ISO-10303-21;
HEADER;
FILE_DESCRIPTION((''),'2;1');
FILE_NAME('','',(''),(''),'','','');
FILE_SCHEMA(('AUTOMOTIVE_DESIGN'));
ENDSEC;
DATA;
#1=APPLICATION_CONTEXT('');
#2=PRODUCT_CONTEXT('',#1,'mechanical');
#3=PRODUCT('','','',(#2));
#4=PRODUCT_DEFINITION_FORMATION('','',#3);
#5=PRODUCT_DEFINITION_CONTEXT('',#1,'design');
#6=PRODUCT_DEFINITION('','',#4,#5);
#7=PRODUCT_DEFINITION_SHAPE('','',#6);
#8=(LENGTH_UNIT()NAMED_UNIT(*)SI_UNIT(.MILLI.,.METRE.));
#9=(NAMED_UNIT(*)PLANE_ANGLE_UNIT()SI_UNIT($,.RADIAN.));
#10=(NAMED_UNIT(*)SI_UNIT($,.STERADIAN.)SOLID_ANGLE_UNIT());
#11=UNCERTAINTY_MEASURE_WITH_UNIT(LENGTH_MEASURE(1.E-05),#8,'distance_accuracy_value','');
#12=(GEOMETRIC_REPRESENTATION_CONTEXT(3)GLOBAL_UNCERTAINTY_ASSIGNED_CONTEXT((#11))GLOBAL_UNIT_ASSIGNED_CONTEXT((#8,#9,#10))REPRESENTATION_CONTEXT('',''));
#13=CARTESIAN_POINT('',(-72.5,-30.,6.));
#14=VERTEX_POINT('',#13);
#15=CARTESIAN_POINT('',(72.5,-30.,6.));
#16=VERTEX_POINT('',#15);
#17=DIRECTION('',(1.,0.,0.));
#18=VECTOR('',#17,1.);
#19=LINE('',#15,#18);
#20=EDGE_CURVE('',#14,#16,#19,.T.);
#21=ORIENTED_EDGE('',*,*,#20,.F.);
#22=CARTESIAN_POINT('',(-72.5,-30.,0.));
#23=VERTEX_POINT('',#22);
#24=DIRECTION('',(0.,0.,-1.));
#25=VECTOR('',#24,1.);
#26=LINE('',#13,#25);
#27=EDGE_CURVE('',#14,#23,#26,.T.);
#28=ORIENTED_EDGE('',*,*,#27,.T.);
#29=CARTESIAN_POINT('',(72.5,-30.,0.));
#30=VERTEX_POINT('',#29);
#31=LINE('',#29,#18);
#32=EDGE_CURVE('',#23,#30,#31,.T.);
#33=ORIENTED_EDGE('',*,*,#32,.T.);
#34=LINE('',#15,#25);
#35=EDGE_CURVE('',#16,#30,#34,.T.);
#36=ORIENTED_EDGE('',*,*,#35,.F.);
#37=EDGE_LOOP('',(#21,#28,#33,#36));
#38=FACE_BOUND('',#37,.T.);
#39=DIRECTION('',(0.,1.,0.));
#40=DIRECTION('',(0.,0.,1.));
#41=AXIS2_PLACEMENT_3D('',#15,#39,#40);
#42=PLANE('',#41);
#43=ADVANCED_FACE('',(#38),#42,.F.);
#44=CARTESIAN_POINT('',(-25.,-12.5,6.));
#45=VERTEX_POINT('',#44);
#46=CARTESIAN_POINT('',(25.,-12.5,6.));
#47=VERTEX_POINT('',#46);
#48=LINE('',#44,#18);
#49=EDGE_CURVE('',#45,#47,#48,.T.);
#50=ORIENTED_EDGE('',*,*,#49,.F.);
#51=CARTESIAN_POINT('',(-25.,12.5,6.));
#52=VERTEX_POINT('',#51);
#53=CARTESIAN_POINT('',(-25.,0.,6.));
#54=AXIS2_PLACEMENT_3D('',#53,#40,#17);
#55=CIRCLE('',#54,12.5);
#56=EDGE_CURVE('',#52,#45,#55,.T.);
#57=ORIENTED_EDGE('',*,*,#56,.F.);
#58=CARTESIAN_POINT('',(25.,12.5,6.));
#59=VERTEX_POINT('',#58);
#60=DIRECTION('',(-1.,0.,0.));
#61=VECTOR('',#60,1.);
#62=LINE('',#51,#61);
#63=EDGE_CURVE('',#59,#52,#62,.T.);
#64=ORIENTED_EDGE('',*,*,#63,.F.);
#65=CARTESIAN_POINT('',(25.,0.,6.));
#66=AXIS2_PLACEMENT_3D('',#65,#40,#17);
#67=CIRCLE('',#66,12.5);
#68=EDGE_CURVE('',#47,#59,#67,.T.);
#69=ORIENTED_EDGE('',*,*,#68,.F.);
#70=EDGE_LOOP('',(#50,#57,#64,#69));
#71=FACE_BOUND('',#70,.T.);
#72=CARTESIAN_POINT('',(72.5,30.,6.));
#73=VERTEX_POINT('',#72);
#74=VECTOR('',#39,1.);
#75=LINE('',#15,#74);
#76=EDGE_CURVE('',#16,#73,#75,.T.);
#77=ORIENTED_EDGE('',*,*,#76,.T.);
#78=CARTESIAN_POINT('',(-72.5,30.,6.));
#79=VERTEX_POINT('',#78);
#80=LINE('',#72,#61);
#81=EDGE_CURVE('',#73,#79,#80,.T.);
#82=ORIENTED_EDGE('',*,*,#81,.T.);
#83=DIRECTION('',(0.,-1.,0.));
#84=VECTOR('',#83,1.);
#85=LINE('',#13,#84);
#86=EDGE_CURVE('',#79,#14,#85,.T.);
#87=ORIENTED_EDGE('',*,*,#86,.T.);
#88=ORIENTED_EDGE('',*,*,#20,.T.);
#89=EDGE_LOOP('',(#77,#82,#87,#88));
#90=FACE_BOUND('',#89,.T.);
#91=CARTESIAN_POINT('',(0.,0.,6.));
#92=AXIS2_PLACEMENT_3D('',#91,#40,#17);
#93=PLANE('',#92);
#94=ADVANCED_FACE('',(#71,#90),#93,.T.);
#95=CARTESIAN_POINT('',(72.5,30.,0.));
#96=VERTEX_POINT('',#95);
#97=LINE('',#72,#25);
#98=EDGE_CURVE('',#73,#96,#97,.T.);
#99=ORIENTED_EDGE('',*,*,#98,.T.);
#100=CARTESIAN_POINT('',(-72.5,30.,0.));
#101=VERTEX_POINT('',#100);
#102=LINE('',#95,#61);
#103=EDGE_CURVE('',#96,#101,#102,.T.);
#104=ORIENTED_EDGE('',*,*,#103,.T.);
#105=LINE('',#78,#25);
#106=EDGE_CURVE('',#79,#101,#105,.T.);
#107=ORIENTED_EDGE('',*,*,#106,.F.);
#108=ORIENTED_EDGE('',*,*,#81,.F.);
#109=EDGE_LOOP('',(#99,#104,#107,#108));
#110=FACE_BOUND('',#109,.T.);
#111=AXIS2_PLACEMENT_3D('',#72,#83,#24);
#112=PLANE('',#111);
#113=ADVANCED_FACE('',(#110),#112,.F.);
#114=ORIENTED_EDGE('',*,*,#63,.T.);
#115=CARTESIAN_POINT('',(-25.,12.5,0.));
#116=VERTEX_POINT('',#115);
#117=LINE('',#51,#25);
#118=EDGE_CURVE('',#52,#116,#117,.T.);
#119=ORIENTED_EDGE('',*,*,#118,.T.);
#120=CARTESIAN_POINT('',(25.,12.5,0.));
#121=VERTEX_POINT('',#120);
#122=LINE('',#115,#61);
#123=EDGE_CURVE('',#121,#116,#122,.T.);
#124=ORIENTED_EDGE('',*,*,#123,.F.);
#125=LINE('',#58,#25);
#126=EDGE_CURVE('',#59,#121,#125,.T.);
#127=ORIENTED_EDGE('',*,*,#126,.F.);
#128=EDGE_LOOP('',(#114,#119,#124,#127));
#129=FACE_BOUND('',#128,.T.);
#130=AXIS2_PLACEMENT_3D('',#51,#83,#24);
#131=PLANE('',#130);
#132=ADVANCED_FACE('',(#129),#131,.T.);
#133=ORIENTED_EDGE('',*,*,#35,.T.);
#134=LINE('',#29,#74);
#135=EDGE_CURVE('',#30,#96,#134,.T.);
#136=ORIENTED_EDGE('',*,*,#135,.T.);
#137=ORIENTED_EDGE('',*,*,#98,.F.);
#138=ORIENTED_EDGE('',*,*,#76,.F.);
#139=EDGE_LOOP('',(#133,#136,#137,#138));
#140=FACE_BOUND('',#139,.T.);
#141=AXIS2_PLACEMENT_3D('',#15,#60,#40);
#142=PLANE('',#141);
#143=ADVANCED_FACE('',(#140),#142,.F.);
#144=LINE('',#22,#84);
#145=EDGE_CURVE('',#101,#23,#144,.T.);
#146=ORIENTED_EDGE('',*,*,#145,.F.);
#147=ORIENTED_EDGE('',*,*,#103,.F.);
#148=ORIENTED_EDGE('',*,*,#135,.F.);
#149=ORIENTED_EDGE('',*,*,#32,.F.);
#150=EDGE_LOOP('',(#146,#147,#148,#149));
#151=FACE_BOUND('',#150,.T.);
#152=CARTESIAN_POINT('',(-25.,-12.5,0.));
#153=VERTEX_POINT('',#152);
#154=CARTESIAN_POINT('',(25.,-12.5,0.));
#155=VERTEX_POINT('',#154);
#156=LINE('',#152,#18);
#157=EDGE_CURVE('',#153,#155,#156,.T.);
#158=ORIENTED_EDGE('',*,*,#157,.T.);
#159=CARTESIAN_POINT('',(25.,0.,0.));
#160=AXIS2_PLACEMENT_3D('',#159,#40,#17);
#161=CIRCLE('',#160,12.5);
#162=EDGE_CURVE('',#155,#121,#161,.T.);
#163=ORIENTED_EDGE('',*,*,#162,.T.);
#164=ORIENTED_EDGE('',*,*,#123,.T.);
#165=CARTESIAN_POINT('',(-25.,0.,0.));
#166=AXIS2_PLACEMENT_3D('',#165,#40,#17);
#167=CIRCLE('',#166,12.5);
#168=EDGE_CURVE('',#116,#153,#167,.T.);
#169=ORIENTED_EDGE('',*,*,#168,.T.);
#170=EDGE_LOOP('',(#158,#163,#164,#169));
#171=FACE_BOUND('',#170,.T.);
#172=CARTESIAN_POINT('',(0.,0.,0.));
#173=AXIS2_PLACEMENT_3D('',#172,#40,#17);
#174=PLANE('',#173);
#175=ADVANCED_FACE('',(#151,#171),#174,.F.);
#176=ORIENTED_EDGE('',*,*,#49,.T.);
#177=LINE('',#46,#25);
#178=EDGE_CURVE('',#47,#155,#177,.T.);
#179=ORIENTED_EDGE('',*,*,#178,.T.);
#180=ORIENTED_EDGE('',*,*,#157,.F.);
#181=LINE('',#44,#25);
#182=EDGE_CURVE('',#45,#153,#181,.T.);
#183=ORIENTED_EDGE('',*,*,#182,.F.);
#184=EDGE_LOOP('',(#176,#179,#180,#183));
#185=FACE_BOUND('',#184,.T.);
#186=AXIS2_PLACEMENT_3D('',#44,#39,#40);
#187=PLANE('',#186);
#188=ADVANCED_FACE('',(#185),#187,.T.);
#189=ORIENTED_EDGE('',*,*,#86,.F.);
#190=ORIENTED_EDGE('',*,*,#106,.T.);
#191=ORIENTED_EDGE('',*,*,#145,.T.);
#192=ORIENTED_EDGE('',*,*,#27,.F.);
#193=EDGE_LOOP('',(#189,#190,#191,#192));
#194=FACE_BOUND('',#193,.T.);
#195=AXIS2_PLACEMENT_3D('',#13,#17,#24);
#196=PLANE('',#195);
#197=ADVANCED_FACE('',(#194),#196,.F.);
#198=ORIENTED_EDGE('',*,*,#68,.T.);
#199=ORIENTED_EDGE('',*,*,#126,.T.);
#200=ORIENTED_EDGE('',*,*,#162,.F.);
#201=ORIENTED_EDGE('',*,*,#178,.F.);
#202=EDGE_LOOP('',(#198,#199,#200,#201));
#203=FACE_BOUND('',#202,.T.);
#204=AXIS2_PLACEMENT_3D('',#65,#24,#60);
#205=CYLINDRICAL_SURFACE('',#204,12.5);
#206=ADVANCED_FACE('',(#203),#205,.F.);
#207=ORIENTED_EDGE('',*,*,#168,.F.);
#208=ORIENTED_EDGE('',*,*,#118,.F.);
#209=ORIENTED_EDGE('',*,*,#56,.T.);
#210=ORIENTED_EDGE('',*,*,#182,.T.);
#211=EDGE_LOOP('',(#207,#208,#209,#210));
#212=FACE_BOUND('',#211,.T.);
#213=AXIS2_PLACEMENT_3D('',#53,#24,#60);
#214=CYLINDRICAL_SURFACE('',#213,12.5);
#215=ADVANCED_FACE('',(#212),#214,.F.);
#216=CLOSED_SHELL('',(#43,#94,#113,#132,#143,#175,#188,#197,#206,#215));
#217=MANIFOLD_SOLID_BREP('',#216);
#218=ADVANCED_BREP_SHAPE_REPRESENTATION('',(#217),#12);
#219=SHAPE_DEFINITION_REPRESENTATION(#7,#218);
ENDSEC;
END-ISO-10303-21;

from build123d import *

# Parameters (mm, degrees)
ESBO_O1_W                = 145
ESBO_O1_H                = 60
RESSALTO_EXTRUS_O1_DEPTH = 6


with BuildPart() as part:
    # Esboço1 → Ressalto-extrusão1 (new body)
    with BuildSketch(Plane.XY):
        Rectangle(ESBO_O1_W, ESBO_O1_H)
        with BuildLine():
            Line((-25, 12.5), (25, 12.5))
            ThreePointArc((25, 12.5), (37.5, 0), (25, -12.5))
            Line((25, -12.5), (-25, -12.5))
            ThreePointArc((-25, -12.5), (-37.5, 0), (-25, 12.5))
        make_face(mode=Mode.SUBTRACT)
    extrude(amount=RESSALTO_EXTRUS_O1_DEPTH)


solid = part.part
